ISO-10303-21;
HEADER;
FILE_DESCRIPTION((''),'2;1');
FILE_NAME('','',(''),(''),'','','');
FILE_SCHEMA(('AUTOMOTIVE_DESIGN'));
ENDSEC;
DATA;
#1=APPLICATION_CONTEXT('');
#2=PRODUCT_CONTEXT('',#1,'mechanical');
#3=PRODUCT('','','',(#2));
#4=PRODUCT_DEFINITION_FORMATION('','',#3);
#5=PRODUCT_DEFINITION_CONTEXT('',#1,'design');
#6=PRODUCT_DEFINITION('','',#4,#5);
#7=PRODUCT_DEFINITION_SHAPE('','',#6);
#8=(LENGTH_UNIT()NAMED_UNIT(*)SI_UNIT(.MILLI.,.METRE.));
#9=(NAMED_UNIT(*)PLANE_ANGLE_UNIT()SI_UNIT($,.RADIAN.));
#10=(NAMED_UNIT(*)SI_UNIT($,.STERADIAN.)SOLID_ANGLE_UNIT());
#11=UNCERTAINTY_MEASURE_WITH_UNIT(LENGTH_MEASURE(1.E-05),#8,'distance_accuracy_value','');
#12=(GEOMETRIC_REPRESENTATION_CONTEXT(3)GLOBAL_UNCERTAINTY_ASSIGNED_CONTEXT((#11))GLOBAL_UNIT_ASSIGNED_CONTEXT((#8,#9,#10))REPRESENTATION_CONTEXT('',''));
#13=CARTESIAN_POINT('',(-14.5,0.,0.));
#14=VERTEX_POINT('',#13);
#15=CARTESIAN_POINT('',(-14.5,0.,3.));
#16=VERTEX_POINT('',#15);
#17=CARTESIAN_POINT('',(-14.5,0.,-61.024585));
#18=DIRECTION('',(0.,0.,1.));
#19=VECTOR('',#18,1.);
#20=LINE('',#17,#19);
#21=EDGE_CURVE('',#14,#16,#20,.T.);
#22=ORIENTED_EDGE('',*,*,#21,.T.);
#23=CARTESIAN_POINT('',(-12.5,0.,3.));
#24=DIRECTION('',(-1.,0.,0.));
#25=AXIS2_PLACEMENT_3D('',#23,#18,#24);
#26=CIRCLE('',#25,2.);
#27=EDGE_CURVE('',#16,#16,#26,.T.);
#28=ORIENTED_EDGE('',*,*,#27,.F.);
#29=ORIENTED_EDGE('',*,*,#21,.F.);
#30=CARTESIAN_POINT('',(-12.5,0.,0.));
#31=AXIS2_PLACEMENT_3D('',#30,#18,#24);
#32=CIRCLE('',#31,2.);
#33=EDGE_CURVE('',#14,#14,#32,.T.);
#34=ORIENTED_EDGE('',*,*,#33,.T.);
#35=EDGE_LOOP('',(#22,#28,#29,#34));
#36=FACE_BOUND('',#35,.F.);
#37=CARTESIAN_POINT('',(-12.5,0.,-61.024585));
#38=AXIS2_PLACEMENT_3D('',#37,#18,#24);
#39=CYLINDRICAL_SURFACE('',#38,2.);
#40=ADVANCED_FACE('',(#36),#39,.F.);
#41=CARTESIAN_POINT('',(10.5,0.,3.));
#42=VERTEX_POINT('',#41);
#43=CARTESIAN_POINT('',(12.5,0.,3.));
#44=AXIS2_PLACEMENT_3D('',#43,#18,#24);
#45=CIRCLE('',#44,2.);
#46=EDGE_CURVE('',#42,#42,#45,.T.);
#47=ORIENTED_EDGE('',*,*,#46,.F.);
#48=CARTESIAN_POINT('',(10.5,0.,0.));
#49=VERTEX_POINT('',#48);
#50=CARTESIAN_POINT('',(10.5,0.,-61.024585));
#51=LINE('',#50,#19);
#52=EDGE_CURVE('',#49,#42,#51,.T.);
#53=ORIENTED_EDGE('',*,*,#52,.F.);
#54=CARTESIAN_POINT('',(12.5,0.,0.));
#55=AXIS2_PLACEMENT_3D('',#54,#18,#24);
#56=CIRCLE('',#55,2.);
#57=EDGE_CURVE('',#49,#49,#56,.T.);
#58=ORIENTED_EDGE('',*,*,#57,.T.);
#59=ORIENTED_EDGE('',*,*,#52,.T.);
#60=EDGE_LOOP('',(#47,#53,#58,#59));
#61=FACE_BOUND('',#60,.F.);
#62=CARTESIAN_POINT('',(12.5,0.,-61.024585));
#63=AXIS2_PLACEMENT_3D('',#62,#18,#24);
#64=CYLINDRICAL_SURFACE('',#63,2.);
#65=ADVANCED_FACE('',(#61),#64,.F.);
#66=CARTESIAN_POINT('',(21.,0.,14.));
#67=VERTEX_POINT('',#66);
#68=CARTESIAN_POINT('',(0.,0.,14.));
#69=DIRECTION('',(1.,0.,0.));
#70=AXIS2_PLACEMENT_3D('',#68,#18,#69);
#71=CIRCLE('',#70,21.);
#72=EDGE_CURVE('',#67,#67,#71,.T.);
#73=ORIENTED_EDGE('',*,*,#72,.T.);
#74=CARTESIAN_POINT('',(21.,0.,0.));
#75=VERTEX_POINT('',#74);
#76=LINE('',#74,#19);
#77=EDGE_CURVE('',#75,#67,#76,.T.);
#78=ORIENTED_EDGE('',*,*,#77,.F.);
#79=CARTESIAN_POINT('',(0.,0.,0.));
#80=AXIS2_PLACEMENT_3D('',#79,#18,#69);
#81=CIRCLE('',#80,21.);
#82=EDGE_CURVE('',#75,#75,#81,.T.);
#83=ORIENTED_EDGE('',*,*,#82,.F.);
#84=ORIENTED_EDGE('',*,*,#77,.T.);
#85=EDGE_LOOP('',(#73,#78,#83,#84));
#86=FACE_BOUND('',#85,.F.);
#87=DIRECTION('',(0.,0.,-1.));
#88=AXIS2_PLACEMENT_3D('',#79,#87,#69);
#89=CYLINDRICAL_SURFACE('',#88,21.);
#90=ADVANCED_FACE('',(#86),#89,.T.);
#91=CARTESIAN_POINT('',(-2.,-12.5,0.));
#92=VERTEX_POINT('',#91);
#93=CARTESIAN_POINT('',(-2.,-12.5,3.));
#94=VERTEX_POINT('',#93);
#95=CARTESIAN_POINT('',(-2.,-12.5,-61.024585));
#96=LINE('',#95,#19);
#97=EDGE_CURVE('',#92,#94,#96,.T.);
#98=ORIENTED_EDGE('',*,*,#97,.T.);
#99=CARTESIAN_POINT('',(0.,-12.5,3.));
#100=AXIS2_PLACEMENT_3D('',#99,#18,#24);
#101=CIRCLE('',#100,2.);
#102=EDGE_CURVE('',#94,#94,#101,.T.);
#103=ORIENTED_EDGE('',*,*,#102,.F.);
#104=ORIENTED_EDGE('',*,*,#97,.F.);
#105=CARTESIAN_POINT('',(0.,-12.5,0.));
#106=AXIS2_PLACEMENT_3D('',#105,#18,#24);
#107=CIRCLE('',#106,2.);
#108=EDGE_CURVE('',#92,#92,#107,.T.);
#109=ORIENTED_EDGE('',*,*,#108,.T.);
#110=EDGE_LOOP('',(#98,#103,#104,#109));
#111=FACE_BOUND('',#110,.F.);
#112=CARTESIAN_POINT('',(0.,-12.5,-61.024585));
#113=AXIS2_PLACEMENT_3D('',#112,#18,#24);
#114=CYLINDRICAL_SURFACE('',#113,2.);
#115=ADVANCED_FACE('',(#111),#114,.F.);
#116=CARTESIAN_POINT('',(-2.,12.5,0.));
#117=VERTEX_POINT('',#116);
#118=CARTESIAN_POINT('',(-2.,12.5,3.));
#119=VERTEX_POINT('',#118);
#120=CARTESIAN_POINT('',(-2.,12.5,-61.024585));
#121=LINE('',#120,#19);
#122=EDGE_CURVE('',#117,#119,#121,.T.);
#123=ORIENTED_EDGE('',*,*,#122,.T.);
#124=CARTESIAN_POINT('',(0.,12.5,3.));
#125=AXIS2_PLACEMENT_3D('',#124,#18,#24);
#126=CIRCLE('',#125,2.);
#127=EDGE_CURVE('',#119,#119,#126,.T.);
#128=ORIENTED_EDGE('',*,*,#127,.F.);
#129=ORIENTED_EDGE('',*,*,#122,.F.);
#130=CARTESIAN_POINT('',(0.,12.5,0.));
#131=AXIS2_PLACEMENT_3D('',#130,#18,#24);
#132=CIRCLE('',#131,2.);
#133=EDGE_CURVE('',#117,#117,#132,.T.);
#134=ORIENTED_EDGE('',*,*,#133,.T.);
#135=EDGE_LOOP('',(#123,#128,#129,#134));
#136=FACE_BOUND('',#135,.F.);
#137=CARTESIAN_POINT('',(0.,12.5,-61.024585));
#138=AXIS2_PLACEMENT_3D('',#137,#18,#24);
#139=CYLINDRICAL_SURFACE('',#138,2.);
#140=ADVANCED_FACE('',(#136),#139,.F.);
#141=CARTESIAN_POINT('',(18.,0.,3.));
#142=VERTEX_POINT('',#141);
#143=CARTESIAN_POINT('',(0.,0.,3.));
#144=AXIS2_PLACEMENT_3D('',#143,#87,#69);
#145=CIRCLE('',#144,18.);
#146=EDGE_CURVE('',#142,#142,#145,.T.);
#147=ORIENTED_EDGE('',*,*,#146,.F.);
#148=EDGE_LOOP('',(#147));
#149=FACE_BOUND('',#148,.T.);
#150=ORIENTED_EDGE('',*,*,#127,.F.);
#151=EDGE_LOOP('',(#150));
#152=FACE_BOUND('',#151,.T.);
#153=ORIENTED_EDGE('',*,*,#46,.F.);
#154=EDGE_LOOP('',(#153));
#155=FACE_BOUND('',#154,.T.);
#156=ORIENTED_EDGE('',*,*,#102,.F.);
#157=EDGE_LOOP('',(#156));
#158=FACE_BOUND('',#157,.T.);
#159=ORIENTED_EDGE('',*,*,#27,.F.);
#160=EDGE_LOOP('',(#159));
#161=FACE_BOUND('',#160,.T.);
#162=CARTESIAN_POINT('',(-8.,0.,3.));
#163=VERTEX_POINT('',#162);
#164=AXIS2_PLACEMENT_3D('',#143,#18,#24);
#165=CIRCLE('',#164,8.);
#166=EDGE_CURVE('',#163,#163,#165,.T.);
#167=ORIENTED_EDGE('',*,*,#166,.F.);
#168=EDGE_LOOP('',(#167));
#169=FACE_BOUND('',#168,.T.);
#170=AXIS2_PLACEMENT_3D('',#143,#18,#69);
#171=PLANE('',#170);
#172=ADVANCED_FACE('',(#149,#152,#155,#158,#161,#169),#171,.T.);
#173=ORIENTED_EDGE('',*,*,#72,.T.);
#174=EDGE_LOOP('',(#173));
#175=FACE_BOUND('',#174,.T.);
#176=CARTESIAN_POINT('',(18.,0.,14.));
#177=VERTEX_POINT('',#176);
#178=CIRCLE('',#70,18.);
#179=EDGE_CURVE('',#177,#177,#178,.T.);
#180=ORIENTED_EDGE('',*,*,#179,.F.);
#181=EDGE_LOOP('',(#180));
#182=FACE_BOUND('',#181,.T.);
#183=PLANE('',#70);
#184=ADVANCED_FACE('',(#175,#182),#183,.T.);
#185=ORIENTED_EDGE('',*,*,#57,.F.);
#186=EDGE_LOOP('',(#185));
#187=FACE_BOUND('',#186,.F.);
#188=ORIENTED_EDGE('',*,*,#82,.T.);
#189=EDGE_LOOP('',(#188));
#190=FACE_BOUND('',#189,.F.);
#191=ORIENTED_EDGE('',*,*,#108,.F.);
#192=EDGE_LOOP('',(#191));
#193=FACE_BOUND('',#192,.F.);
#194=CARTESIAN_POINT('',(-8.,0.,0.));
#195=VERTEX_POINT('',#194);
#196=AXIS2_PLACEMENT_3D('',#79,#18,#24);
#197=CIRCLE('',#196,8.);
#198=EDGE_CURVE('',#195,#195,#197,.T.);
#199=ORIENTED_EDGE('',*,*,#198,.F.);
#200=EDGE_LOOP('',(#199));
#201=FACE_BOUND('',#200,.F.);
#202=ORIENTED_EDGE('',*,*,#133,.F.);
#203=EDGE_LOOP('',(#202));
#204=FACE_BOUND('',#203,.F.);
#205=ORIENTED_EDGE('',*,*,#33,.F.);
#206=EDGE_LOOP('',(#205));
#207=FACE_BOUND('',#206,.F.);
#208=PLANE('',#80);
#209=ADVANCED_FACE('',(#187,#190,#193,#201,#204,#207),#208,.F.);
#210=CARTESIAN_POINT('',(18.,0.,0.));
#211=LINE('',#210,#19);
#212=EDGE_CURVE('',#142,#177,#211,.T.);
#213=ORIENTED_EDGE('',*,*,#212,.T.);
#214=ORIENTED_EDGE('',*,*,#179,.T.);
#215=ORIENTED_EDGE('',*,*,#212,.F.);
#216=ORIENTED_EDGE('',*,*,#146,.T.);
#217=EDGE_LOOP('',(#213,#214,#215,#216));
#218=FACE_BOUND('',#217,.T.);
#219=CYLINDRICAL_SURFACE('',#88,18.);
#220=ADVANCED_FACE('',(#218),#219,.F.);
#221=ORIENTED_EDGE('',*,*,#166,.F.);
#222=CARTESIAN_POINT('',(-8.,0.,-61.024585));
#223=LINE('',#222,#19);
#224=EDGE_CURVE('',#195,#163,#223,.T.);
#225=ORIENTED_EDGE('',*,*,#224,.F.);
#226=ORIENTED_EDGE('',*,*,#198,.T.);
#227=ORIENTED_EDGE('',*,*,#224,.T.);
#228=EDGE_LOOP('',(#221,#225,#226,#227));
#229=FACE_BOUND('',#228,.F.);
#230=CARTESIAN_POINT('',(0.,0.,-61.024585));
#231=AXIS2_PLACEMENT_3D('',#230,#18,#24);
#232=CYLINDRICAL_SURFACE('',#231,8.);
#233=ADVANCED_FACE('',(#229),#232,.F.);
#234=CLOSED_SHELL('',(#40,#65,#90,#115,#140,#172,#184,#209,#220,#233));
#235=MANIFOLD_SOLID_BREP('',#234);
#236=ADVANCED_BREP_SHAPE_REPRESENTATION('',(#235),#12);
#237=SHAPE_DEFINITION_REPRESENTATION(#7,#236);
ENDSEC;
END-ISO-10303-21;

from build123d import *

# Parameters (mm, degrees)
F2_R     = 21
F3_DEPTH = 14
F4_T     = -3
F6_D     = 4
F7_D     = 16


with BuildPart() as f3:
    # F2 (on Top) → F3 (new body)
    with BuildSketch(Plane.XY):
        Circle(F2_R)
    extrude(amount=F3_DEPTH)

    # F4
    f4_openings = [f3.faces().sort_by_distance(p)[0] for p in [
        (0, 0, 14),
    ]]
    offset(amount=F4_T, openings=f4_openings)

    # F6 (through all)
    with Locations(Plane(origin=(0, 0, 0), x_dir=(1, 0, 0), z_dir=(0, 0, -1))):
        with Locations((-12.5, 0), (0, 12.5), (12.5, 0), (0, -12.5)):
            Hole(F6_D / 2)

    # F7 (through all)
    with Locations(Plane(origin=(0, 0, 0), x_dir=(1, 0, 0), z_dir=(0, 0, -1))):
        with Locations((0, 0)):
            Hole(F7_D / 2)


solid = f3.part
